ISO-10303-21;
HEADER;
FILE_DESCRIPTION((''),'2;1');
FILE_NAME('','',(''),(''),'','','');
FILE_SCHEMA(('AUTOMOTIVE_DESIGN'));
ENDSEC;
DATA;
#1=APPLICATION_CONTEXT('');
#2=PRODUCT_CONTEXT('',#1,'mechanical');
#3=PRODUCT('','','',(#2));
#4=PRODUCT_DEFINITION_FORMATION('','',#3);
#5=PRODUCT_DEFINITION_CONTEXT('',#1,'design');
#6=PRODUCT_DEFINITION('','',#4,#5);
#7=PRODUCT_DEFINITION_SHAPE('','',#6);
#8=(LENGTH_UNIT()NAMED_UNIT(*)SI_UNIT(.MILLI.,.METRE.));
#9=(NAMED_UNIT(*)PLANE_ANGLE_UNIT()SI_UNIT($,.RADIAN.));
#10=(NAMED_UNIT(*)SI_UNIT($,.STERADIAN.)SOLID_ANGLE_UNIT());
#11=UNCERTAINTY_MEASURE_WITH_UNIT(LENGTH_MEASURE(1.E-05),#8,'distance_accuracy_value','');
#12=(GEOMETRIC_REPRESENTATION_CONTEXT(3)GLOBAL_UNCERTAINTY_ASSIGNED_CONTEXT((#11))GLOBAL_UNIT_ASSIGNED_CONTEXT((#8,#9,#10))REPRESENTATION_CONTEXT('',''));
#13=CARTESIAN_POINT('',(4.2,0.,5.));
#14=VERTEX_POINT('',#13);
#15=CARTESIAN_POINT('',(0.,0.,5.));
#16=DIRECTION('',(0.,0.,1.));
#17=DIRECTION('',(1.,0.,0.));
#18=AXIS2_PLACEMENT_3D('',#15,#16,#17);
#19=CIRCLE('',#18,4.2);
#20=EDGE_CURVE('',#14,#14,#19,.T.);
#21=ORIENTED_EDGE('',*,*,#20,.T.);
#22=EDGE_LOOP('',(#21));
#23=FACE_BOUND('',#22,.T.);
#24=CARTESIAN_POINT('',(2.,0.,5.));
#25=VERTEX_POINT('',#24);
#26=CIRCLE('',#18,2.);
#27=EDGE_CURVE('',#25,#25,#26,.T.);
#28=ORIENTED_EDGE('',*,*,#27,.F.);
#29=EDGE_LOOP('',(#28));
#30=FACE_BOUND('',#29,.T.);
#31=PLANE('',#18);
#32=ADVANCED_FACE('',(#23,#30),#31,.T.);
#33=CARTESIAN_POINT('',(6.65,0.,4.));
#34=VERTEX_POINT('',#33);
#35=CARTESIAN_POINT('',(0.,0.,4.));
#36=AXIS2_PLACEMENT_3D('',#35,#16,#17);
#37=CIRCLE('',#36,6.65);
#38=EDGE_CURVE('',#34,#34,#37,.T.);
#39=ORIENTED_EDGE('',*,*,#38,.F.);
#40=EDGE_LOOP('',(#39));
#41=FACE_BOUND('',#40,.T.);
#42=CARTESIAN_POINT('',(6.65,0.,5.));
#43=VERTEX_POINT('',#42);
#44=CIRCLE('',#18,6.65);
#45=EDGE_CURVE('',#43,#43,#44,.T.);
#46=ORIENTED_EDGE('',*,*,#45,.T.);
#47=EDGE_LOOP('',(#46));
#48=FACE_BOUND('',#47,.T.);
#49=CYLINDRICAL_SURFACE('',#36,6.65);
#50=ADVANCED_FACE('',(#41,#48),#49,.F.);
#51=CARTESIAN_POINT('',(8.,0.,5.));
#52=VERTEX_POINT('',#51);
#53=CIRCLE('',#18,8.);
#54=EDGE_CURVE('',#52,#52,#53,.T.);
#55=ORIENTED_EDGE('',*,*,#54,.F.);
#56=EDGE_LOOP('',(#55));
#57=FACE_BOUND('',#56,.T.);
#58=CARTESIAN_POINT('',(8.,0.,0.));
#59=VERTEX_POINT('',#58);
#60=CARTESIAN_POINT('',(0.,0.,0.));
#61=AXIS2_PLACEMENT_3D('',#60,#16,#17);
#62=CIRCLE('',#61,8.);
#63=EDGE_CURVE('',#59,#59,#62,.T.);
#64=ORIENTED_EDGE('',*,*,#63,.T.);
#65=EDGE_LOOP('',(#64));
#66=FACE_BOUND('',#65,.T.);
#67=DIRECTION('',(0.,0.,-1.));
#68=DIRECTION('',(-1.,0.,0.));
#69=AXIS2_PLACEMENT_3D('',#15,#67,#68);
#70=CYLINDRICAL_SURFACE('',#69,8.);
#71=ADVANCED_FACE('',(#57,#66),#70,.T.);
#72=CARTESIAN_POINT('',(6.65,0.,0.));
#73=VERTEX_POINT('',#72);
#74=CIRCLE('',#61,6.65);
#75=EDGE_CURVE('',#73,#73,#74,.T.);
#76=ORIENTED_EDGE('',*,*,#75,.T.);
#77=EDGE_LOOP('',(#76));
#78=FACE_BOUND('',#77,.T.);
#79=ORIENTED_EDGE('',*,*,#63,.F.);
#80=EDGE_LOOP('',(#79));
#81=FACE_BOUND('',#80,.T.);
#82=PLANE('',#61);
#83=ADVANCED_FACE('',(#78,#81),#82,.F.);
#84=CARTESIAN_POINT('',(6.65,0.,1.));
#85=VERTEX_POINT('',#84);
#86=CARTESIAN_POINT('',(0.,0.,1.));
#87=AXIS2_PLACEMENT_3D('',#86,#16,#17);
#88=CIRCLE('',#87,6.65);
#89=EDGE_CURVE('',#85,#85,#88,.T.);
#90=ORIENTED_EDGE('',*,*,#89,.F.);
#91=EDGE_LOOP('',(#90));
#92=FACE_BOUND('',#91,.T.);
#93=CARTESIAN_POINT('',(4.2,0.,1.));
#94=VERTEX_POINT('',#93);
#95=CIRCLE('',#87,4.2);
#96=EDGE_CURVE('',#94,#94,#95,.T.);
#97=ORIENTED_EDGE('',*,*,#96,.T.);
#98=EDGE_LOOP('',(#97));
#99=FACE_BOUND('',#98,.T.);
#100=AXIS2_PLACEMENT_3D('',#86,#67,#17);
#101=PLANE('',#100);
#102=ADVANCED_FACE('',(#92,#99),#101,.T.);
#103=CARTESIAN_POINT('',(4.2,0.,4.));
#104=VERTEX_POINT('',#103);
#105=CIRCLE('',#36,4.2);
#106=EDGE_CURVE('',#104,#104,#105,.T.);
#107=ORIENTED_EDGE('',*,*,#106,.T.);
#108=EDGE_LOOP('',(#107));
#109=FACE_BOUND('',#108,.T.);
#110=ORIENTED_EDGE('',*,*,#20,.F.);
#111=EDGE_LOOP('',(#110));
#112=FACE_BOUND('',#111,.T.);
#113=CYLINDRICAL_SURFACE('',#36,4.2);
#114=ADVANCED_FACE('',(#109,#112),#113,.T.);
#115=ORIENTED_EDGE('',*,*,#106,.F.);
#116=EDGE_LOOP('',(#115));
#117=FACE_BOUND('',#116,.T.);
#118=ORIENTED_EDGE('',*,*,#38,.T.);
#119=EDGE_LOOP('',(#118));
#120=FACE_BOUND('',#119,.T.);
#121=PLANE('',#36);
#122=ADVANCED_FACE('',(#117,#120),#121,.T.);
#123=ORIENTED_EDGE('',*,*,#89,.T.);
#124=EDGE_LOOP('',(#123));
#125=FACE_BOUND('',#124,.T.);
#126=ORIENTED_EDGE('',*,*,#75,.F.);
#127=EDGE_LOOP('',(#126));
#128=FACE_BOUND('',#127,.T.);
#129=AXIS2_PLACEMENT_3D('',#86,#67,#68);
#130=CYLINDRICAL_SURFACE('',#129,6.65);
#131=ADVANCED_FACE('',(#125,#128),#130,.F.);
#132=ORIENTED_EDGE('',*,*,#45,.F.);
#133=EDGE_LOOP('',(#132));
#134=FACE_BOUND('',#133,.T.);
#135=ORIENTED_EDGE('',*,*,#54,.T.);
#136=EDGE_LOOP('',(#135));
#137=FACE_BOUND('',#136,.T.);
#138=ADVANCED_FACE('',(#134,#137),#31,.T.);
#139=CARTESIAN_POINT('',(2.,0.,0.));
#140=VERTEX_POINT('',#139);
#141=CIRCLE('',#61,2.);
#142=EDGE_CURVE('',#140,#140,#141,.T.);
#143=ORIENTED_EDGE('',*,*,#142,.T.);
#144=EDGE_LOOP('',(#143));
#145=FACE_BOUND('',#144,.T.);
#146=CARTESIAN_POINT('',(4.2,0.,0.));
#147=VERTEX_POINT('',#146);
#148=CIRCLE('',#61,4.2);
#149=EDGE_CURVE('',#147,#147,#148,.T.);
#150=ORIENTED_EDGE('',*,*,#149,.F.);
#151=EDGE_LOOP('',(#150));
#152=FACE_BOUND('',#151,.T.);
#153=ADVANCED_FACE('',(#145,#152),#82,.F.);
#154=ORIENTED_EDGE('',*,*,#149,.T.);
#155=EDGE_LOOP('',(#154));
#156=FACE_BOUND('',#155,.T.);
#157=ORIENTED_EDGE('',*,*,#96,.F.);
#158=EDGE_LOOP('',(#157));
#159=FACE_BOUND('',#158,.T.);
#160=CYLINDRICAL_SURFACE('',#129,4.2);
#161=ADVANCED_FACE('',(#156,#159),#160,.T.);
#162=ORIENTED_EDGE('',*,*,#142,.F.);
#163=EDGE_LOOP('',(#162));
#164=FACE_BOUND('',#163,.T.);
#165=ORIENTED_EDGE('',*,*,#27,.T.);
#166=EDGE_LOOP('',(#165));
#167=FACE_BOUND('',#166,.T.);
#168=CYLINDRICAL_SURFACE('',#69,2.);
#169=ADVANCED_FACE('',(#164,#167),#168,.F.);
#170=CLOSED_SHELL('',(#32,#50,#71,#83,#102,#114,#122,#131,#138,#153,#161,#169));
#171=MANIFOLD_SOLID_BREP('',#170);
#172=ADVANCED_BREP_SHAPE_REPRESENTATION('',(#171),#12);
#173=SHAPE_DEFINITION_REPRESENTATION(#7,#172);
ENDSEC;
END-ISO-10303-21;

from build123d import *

# Parameters (mm, degrees)
SKETCH1_R          = 8
SKETCH1_R_2        = 2
EXTRUDE1_DEPTH     = 5
SKETCH2_R          = 6.65
SKETCH2_R_2        = 4.2
CUT_EXTRUDE1_DEPTH = 1


with BuildPart() as part:
    # Sketch1 → Extrude1 (new body)
    with BuildSketch(Plane.XY):
        Circle(SKETCH1_R)
        Circle(SKETCH1_R_2, mode=Mode.SUBTRACT)
    extrude(amount=EXTRUDE1_DEPTH)

    # Sketch2 → Cut-Extrude1 (cut)
    with BuildSketch(Plane.XY.offset(5)):
        Circle(SKETCH2_R)
        Circle(SKETCH2_R_2, mode=Mode.SUBTRACT)
    cut_extrude1 = extrude(amount=-CUT_EXTRUDE1_DEPTH, mode=Mode.SUBTRACT)

    # Mirror1: Cut-Extrude1 across plane
    add(cut_extrude1.mirror(Plane(origin=(0, 0, 2.5), x_dir=(1, 0, 0), z_dir=(0, 0, -1))), mode=Mode.SUBTRACT)


solid = part.part
